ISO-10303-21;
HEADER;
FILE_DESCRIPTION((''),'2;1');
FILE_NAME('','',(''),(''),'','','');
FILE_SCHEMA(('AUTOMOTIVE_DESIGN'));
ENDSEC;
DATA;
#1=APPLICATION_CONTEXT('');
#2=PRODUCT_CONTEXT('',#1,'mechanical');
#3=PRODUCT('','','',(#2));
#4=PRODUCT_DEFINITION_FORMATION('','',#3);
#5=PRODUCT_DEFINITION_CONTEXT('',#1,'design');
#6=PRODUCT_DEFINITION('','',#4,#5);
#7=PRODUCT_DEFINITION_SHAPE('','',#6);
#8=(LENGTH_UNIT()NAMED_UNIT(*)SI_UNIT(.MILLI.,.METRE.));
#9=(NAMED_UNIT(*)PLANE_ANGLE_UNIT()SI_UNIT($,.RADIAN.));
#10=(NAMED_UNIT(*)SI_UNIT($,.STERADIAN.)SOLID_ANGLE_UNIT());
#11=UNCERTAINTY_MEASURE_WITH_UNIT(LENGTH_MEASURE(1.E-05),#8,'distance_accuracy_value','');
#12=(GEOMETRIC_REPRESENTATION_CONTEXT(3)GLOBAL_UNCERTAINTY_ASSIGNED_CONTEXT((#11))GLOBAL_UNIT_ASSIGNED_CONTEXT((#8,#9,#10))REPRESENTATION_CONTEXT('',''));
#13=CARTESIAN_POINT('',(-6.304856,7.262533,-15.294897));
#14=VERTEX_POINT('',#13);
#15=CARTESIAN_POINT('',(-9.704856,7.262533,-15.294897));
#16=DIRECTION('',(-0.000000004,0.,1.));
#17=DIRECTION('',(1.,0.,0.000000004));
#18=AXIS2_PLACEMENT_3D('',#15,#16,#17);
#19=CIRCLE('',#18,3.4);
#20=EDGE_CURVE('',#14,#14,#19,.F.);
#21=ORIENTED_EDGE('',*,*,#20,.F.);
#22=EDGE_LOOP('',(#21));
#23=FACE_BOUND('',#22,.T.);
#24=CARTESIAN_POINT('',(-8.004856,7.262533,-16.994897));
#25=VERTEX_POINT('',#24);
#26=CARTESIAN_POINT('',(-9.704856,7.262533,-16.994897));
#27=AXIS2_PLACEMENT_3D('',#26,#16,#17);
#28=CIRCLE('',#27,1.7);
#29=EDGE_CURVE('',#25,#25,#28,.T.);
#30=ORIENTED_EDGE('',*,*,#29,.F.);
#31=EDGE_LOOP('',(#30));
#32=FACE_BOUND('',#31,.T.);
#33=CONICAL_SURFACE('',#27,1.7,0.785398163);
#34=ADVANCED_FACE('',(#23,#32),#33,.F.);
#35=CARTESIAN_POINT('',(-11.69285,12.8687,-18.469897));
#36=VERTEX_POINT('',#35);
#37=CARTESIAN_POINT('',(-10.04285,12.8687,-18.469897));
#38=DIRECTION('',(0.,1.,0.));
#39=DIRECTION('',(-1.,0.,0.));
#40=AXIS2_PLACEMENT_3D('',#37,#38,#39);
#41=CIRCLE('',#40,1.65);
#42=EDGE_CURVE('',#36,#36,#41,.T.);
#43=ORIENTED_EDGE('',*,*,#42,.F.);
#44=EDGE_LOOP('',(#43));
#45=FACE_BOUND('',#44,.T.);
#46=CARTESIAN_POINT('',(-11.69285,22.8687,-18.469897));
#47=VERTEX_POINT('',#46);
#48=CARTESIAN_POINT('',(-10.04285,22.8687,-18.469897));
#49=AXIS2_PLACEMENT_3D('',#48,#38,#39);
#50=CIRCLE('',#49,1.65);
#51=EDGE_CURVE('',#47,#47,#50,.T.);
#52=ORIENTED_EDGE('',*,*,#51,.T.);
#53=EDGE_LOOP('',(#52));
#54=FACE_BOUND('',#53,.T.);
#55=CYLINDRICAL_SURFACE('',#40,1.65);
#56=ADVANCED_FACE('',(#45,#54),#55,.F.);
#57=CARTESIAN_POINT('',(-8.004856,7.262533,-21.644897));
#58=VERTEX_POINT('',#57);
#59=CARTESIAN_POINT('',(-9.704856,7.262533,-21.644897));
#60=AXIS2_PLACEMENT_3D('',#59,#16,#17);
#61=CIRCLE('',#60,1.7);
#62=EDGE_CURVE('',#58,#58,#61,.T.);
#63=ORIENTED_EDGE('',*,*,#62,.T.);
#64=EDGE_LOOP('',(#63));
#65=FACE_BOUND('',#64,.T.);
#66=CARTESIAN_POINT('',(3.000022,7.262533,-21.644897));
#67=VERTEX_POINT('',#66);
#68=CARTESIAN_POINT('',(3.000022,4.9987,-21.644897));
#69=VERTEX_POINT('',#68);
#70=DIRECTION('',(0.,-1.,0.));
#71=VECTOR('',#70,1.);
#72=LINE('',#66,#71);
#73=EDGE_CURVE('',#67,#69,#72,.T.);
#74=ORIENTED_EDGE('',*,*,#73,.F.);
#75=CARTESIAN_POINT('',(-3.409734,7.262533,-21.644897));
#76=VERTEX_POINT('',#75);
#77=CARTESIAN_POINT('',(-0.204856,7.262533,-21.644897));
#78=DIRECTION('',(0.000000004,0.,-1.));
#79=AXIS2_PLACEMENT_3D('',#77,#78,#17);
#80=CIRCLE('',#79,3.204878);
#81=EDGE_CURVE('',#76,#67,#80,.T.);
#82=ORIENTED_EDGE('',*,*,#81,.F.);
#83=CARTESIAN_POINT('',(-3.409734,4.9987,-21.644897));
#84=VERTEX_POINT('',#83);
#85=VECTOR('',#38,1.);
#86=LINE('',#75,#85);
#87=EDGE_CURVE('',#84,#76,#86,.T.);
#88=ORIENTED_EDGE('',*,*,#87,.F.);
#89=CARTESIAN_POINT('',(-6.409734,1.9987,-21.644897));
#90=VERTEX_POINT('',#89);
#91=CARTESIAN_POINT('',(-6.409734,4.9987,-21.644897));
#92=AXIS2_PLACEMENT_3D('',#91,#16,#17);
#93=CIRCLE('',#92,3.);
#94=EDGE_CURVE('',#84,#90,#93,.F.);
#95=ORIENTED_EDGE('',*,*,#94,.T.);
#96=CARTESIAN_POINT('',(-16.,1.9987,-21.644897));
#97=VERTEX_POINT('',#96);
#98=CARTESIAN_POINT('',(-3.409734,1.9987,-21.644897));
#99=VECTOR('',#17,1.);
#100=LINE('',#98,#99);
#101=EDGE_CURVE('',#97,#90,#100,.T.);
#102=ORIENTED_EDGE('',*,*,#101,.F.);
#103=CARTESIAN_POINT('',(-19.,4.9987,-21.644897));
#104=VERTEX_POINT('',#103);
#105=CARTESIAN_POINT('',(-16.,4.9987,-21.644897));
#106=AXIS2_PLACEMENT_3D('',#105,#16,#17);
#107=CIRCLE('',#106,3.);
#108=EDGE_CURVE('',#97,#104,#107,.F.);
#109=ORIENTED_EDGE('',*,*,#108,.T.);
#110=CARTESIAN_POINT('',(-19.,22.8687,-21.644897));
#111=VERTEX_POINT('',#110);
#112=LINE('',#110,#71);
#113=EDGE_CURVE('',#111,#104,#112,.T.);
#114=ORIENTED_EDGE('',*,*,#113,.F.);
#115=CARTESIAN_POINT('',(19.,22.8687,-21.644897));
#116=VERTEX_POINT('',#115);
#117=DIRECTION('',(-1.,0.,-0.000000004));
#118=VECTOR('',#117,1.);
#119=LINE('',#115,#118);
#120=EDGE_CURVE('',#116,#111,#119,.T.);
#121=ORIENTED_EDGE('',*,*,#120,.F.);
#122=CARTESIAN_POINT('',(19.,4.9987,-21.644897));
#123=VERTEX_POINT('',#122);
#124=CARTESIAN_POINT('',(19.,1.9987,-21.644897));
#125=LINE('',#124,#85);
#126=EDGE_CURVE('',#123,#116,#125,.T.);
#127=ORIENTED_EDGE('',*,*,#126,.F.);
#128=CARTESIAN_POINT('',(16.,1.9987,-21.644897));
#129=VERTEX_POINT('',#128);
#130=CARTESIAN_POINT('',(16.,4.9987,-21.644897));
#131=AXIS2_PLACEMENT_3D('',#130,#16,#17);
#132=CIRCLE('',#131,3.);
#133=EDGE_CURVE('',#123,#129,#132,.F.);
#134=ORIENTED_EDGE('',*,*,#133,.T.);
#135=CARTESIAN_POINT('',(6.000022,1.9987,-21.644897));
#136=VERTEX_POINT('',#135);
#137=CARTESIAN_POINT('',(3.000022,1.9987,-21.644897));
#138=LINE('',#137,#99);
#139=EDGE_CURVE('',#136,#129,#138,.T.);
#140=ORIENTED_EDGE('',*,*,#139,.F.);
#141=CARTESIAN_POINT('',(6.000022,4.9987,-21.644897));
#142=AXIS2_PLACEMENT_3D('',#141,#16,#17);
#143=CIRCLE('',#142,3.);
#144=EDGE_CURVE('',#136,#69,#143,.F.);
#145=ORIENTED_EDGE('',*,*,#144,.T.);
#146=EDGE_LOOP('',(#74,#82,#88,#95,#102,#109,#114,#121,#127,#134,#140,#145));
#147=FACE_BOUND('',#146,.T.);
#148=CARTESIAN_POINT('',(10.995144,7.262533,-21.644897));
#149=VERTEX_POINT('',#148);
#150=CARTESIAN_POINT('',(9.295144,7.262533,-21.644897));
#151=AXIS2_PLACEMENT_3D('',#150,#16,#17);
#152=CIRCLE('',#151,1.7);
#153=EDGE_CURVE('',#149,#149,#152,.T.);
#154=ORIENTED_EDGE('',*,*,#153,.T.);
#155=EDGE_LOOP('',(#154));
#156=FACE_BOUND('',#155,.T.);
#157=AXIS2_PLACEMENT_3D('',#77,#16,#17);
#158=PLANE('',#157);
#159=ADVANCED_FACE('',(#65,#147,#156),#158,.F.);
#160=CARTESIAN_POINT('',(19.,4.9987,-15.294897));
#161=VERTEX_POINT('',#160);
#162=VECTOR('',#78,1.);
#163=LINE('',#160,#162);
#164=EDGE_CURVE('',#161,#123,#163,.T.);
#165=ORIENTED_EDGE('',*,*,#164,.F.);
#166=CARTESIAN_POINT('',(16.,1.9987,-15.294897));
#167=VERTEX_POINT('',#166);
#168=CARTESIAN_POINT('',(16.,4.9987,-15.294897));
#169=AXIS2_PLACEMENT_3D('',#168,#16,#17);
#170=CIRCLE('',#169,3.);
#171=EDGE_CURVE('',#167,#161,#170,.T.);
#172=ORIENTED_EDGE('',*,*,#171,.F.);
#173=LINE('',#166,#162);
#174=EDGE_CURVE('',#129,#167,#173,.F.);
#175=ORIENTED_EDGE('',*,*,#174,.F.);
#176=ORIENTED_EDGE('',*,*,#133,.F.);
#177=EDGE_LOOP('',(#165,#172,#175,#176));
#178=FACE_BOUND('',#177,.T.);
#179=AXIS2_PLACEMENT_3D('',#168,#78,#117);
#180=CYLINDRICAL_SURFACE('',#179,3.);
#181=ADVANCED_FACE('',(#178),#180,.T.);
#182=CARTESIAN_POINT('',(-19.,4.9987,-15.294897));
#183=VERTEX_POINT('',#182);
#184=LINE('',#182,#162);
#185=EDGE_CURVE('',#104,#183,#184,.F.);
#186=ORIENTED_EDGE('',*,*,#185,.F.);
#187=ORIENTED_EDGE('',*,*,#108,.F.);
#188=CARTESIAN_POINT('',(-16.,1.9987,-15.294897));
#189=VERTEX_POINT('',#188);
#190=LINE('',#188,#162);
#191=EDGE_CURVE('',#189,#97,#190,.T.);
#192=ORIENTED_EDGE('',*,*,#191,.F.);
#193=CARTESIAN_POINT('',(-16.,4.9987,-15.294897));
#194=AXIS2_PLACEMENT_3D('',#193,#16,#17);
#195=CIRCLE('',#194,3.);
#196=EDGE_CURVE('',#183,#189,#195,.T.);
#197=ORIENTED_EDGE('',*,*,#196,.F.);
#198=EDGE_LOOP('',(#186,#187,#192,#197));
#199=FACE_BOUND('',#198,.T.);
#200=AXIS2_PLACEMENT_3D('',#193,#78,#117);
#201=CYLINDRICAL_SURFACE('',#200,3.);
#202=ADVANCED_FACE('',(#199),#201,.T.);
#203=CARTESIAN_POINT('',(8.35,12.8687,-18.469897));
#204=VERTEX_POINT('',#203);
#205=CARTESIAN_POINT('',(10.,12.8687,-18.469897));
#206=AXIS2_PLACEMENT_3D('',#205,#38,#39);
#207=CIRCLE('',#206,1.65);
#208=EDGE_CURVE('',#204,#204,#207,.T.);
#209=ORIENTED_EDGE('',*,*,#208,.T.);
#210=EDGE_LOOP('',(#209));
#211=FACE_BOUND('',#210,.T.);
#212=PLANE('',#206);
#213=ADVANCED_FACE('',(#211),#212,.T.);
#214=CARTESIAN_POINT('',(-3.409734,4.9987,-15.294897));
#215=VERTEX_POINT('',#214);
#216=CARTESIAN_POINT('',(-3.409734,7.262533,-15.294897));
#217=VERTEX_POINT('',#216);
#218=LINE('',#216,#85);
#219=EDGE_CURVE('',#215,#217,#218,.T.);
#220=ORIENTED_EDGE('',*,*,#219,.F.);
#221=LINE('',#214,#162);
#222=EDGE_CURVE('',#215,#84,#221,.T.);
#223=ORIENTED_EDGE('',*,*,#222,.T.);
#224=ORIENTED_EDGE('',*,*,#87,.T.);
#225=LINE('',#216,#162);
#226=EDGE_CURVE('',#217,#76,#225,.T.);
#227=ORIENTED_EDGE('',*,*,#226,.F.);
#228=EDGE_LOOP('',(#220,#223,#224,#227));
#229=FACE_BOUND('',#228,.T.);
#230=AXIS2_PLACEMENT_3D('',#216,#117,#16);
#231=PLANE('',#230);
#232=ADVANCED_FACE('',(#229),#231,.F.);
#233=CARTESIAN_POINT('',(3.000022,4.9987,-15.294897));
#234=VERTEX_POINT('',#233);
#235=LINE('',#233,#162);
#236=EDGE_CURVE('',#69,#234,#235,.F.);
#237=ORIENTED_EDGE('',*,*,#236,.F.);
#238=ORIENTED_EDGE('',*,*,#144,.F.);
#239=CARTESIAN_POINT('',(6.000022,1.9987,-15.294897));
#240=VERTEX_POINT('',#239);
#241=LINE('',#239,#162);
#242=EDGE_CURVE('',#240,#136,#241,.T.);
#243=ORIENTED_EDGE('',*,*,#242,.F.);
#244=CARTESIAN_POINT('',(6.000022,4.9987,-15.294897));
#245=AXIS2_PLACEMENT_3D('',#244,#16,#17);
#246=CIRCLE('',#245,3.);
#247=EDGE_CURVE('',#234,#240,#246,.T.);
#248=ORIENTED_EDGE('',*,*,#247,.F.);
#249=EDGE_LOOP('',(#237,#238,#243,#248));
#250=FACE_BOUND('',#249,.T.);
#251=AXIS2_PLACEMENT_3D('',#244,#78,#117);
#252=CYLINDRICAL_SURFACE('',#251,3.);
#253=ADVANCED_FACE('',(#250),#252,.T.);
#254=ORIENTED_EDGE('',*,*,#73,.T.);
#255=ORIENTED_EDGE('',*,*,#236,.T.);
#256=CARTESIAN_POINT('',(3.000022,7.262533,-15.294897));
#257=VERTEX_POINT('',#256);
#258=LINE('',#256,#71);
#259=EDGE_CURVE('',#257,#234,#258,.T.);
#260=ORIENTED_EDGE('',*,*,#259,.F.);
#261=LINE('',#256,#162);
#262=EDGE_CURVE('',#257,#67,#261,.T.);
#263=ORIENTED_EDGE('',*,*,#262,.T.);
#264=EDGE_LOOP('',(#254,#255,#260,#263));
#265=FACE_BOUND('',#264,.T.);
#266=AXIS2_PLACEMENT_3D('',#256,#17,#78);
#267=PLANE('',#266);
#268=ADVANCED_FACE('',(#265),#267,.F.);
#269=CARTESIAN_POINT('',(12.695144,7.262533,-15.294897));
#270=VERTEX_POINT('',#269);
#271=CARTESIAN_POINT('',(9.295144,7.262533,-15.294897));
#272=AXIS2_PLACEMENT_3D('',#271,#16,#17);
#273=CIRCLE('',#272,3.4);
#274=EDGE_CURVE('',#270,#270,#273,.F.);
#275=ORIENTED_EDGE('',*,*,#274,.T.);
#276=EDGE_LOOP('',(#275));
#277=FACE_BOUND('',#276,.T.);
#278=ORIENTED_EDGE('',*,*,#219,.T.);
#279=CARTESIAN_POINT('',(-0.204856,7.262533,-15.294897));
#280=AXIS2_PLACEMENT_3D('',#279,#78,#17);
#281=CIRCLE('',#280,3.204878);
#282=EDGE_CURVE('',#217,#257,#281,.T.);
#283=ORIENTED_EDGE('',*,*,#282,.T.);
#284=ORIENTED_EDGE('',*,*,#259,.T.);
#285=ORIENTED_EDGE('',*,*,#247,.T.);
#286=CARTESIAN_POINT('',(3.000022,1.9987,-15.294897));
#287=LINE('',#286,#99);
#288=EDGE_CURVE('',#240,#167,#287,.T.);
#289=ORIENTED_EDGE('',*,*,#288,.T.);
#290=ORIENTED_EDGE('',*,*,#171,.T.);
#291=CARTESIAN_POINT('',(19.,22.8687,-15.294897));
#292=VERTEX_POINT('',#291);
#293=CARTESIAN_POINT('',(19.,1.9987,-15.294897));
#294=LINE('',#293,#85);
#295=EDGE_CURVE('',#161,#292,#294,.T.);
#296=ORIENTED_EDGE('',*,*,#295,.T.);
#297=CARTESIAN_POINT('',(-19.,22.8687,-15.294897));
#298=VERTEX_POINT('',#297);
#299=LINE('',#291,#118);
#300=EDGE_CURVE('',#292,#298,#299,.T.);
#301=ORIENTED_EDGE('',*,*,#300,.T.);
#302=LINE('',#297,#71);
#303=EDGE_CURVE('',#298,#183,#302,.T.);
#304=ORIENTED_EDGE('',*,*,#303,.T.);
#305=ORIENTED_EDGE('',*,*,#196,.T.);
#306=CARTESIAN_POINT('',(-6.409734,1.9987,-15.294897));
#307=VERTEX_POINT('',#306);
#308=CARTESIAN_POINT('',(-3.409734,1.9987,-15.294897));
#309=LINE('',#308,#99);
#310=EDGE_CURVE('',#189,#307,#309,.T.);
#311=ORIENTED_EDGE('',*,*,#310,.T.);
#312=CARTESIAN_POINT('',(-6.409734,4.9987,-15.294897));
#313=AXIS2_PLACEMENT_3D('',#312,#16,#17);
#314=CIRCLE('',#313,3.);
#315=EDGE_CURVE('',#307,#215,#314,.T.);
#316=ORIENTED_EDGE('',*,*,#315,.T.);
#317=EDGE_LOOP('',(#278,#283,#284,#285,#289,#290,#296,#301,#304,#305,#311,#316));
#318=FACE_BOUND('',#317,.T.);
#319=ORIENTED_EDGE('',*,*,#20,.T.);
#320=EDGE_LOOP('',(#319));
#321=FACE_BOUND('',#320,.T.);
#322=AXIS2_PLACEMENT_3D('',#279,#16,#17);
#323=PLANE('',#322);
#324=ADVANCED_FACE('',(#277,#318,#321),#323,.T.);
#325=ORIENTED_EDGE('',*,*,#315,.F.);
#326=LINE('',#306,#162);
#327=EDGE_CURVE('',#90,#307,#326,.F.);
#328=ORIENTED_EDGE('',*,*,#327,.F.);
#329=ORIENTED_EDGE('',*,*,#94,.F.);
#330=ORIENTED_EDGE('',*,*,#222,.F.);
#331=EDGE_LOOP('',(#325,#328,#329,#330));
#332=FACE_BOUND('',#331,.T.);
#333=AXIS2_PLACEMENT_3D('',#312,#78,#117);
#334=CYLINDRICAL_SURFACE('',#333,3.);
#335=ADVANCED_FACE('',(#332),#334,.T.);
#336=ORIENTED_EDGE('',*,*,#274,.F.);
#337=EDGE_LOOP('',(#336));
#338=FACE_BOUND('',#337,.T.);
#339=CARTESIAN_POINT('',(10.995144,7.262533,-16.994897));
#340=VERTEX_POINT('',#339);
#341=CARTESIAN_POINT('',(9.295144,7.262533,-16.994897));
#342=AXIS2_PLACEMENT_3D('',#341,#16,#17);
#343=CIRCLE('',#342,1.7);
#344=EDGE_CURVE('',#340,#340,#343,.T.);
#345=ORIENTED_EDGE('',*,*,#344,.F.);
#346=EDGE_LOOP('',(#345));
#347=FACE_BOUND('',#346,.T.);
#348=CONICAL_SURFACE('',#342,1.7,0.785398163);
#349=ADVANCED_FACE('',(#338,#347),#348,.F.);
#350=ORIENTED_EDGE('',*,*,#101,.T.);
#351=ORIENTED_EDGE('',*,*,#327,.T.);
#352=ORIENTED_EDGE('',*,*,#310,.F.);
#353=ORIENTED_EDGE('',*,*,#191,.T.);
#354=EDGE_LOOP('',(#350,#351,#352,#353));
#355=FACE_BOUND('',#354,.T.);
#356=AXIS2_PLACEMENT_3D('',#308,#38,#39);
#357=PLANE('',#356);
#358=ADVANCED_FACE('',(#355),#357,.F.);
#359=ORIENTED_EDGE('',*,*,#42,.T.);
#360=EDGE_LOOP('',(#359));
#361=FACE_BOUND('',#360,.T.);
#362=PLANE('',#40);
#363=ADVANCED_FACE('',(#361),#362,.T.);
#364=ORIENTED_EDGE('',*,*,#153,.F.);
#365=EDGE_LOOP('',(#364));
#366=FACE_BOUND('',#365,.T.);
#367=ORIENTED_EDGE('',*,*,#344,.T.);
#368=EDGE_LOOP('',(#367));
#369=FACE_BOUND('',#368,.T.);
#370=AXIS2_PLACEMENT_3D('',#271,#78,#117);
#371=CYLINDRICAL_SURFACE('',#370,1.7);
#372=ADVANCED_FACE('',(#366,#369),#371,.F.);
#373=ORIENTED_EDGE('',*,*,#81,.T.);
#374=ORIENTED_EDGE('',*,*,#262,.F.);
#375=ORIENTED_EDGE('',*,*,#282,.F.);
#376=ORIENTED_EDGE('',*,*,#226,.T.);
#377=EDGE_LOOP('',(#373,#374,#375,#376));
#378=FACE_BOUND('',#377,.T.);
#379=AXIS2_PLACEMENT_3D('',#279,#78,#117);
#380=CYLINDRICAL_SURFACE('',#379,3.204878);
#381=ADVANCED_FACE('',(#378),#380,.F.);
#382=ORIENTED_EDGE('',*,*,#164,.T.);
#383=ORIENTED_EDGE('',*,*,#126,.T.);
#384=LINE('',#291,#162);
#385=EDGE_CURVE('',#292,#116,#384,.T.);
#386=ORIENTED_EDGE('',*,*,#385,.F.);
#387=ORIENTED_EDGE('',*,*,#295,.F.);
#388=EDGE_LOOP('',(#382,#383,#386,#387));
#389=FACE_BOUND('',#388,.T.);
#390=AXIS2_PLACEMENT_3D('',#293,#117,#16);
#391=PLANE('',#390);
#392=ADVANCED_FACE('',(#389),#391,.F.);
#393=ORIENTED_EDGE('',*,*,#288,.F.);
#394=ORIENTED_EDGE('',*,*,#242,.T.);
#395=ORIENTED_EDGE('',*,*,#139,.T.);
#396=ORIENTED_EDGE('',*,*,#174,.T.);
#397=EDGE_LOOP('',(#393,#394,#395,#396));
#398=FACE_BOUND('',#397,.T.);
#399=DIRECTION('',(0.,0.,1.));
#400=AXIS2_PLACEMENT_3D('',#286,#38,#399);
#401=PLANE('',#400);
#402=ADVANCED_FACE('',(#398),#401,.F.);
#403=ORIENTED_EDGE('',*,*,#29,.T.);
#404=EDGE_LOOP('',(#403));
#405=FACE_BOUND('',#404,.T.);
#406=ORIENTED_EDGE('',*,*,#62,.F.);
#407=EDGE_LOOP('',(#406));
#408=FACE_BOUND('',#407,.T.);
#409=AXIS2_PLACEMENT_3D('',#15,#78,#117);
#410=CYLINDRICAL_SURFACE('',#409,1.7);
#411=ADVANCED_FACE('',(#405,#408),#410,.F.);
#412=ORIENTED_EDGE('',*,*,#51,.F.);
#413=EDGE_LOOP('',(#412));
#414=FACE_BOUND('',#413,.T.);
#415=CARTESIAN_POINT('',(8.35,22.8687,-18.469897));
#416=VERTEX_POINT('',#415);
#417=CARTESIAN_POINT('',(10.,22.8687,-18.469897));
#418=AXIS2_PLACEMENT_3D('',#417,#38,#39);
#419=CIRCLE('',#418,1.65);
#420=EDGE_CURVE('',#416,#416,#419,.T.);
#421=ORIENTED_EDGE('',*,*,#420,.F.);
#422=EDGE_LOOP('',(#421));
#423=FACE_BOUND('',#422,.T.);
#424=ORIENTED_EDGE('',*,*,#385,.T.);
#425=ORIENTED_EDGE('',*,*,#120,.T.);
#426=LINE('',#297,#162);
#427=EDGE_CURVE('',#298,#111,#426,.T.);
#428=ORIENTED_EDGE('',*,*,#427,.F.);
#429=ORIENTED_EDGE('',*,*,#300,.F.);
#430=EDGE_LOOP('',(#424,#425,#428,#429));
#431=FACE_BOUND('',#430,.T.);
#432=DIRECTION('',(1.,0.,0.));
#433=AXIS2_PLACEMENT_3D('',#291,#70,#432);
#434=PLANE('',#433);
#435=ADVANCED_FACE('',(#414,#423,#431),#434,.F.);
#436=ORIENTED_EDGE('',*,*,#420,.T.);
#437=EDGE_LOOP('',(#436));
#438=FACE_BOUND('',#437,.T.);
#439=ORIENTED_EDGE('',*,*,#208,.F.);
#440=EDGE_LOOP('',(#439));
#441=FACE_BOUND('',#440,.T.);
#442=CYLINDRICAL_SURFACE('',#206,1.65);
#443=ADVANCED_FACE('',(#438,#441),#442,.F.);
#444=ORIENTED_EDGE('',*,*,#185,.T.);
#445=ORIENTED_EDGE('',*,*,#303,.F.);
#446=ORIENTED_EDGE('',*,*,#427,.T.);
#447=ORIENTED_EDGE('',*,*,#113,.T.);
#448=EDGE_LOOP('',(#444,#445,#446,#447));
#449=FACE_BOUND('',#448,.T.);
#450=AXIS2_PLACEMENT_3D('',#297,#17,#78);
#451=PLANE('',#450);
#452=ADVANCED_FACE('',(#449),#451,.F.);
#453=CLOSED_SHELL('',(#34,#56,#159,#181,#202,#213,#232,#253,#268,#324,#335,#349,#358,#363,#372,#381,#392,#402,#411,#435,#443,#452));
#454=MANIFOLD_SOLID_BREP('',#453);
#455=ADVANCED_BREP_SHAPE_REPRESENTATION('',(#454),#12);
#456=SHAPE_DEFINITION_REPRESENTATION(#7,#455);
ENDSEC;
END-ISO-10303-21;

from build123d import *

# Parameters (mm, degrees)
SKETCH1_R           = 1.7
BOSS_EXTRUDE1_DEPTH = 6.35
CHAMFER1_SIZE       = 1.7
SKETCH2_R           = 1.65
CUT_EXTRUDE1_DEPTH  = 10
FILLET1_R           = 3


with BuildPart() as part:
    # Sketch1 → Boss-Extrude1 (new body)
    with BuildSketch(Plane(origin=(7.6e-08, 0, -21.644897171), x_dir=(1, 0, 4e-09), z_dir=(-4e-09, 0, 1))):
        with BuildLine():
            Line((3.000021754, 7.262533291), (3.000021754, 1.9987))
            Line((3.000021754, 1.9987), (19.00000025, 1.9987))
            Line((19.00000025, 1.9987), (19.00000025, 22.8687))
            Line((19.00000025, 22.8687), (-19.00000025, 22.8687))
            Line((-19.00000025, 22.8687), (-19.00000025, 1.9987))
            Line((-19.00000025, 1.9987), (-3.409734271, 1.9987))
            Line((-3.409734271, 1.9987), (-3.409734271, 7.262533291))
            ThreePointArc((-3.409734271, 7.262533291), (-0.204856259, 10.467411304), (3.000021754, 7.262533291))
        make_face()
        with Locations((9.295143741, 7.262533291)):
            Circle(SKETCH1_R, mode=Mode.SUBTRACT)
        with Locations((-9.704856259, 7.262533291)):
            Circle(SKETCH1_R, mode=Mode.SUBTRACT)
    extrude(amount=BOSS_EXTRUDE1_DEPTH)

    # Chamfer1
    chamfer1_edges = [part.edges().sort_by_distance(p)[0] for p in [
        (7.595143795, 7.262533291, -15.294897144),
        (-11.404856205, 7.262533291, -15.294897211),
    ]]
    chamfer(chamfer1_edges, length=CHAMFER1_SIZE)

    # Sketch2 → Cut-Extrude1 (cut)
    with BuildSketch(Plane(origin=(0, 22.8687, 0), x_dir=(1, 0, 0), z_dir=(0, 1, 0))):
        with Locations((10, 18.469897104)):
            Circle(SKETCH2_R)
        with Locations((-10.042850258, 18.469897104)):
            Circle(SKETCH2_R)
    extrude(amount=-CUT_EXTRUDE1_DEPTH, mode=Mode.SUBTRACT)

    # Fillet1
    fillet1_edges = [part.edges().sort_by_distance(p)[0] for p in [
        (-3.409734206, 1.9987, -18.469897183),
        (-19.000000186, 1.9987, -18.469897237),
        (19.000000315, 1.9987, -18.469897104),
        (3.000021818, 1.9987, -18.46989716),
    ]]
    fillet(fillet1_edges, radius=FILLET1_R)


solid = part.part
